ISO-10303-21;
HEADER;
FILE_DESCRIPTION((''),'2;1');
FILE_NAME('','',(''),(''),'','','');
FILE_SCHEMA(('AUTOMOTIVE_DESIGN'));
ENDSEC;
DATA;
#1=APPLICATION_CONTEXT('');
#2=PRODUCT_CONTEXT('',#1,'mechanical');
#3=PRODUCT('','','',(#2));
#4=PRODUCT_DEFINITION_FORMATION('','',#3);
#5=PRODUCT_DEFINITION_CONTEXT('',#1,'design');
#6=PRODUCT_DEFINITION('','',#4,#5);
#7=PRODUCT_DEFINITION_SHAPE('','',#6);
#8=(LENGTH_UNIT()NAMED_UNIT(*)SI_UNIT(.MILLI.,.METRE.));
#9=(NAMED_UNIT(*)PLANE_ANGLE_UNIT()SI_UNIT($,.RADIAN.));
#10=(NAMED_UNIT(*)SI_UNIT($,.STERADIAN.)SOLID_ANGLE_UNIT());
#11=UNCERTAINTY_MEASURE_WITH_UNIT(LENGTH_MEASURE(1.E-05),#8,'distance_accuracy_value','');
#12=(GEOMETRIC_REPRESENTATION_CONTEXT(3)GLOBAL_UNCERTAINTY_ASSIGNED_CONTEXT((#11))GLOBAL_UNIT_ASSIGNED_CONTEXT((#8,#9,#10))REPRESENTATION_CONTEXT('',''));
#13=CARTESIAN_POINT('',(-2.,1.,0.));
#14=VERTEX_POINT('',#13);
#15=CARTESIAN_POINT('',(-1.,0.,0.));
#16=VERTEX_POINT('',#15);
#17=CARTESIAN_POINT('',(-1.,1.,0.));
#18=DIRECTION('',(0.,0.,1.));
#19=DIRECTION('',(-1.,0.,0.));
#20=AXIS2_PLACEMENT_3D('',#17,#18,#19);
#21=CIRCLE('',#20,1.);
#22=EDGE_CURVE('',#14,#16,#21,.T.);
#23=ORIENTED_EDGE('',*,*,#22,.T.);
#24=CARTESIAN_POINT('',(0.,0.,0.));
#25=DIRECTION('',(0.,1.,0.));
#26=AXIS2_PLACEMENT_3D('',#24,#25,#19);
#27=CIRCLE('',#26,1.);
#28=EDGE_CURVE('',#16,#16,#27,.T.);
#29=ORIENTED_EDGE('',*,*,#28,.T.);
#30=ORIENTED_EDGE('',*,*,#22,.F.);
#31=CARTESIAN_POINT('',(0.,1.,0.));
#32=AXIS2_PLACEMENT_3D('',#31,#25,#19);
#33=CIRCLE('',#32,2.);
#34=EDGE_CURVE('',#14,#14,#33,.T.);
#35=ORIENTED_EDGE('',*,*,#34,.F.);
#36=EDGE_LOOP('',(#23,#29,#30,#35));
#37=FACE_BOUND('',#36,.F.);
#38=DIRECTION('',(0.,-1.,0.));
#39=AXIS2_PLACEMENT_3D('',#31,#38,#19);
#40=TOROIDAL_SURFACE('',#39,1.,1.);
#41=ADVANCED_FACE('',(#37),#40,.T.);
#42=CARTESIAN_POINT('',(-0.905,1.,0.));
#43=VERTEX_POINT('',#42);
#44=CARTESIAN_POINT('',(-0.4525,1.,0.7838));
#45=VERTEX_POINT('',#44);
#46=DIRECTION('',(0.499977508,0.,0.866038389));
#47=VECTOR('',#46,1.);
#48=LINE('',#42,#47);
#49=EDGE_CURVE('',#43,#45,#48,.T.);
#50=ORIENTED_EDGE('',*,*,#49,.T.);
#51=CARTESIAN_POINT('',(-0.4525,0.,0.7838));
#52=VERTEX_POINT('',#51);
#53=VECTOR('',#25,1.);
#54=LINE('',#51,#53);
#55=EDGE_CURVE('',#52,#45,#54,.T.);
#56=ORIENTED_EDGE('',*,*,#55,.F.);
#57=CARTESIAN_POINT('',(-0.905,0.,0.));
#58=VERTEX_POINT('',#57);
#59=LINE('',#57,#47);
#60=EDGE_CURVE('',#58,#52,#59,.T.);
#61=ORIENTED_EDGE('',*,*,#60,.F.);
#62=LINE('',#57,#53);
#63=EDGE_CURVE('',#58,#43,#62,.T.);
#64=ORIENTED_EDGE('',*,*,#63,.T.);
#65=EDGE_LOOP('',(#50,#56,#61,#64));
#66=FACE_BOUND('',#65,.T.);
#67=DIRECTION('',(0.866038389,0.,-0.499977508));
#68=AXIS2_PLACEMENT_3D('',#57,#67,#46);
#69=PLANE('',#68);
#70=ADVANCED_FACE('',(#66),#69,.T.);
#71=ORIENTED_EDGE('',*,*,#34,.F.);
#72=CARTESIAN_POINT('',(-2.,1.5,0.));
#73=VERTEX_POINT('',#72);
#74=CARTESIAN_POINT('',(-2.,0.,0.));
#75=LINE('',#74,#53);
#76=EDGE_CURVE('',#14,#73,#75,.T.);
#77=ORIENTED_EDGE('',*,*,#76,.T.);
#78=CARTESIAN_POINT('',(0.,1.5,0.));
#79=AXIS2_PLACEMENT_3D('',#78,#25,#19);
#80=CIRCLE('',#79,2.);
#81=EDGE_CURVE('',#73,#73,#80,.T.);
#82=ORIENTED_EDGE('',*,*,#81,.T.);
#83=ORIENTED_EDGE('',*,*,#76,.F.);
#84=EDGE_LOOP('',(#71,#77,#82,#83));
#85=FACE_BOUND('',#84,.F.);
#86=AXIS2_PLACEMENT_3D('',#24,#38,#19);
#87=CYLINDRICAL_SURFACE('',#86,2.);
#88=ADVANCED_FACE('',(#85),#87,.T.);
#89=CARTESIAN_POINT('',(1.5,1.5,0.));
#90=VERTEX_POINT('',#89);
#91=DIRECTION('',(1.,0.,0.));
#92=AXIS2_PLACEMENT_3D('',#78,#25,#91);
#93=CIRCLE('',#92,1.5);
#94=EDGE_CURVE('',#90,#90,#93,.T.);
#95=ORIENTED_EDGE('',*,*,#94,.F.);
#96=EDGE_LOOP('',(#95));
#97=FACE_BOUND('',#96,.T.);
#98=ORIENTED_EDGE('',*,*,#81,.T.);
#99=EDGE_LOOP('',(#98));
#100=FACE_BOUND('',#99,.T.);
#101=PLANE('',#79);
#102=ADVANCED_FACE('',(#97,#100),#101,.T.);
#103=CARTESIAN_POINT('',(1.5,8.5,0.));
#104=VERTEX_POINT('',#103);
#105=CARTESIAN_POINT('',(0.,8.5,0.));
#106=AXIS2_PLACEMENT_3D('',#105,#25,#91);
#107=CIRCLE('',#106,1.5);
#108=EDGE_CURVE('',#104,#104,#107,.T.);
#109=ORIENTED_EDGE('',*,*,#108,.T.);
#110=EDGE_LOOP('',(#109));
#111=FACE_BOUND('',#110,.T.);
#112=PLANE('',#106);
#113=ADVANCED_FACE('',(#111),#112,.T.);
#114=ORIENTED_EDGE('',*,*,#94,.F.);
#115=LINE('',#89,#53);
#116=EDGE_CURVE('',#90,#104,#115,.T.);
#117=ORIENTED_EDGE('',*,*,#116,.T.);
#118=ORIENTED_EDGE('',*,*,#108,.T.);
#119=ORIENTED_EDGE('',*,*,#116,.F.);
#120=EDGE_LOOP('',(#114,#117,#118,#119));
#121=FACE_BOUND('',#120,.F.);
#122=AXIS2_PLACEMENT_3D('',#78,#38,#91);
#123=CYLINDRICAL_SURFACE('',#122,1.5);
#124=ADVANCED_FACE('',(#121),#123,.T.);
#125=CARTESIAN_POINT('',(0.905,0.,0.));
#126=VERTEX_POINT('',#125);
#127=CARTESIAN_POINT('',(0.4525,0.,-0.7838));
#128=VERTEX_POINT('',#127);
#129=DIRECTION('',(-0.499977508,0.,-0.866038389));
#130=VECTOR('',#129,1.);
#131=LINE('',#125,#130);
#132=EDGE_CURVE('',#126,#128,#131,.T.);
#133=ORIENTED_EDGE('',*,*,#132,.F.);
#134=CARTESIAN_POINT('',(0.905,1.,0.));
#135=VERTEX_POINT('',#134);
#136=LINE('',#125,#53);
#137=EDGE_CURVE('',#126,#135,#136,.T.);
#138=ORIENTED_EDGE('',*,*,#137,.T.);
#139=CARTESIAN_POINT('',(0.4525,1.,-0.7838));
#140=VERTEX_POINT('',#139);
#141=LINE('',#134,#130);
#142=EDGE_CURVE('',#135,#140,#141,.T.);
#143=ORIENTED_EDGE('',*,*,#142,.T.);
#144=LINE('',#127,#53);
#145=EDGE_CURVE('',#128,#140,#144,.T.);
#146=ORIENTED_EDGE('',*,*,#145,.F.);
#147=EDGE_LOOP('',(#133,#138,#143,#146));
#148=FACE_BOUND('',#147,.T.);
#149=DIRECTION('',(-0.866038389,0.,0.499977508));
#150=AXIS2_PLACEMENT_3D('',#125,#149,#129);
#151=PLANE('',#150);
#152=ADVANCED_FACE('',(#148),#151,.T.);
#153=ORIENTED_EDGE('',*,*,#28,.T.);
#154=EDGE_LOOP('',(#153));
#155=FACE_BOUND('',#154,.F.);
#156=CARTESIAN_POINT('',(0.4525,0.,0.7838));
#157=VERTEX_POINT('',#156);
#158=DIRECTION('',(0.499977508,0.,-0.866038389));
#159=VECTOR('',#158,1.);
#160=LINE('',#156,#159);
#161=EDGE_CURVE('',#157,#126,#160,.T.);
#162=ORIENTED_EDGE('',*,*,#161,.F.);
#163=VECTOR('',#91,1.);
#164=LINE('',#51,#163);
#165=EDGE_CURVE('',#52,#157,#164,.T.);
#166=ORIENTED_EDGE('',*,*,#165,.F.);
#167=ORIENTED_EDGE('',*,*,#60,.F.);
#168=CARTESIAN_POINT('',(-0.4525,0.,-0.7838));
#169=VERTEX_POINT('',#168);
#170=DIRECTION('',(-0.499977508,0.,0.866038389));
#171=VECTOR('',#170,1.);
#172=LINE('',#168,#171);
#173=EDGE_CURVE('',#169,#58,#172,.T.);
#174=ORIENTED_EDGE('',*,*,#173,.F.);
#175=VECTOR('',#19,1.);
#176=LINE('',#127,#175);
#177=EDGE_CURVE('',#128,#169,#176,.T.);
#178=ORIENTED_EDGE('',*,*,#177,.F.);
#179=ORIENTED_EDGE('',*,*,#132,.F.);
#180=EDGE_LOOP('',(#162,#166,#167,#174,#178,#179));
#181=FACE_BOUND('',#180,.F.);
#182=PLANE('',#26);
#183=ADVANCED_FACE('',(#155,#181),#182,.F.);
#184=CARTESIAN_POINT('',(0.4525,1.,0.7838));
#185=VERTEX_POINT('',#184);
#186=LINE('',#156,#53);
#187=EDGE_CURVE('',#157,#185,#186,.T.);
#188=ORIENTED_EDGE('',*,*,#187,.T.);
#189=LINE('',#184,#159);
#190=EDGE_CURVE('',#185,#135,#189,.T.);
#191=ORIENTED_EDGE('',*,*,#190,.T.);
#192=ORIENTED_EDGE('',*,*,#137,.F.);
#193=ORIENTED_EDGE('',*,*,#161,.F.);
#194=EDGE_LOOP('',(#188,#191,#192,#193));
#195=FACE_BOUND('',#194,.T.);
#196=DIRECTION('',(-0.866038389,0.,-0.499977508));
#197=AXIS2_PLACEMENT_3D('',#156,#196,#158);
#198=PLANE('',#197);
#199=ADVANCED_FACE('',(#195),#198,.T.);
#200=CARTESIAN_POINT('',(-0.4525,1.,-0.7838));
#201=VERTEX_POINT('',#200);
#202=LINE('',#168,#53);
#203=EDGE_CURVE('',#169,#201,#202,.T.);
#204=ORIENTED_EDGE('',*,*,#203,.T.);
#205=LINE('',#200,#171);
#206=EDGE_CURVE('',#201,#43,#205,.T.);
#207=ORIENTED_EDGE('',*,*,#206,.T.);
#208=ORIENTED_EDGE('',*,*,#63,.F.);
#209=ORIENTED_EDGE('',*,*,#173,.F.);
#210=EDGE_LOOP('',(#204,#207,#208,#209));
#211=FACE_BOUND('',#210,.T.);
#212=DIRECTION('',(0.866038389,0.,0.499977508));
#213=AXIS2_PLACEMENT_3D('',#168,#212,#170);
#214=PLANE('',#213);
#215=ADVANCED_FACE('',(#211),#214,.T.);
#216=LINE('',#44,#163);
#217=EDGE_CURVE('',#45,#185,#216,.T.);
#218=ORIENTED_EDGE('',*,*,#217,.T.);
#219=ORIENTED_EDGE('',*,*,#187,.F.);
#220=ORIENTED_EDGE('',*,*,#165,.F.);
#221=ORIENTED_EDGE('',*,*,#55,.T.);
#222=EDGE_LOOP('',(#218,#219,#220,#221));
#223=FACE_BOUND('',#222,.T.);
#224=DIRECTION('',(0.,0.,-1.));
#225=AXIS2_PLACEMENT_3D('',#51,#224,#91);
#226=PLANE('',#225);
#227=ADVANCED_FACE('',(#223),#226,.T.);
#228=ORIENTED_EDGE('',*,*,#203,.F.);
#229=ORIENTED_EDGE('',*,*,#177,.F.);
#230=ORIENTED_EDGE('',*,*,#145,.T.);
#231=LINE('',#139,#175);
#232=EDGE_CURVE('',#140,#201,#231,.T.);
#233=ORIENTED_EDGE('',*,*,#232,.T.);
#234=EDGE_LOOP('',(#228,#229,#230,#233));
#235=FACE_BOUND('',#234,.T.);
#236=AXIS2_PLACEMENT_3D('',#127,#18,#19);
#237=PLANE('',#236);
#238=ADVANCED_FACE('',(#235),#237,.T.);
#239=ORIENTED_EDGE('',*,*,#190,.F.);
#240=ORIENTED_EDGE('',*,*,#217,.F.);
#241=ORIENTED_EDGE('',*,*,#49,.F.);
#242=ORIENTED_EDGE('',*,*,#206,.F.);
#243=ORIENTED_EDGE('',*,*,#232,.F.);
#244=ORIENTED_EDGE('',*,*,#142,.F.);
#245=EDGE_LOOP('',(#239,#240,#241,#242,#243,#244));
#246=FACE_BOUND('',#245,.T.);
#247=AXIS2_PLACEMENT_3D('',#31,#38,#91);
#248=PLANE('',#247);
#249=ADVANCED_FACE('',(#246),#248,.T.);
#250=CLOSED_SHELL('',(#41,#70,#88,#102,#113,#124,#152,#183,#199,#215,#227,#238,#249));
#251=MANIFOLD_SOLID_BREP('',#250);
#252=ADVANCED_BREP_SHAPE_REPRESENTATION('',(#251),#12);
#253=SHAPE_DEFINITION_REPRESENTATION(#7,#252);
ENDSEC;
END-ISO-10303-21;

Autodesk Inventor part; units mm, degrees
ref_plane "YZ Plane" through (0, 0, 0) normal (1, 0, 0) x (0, 1, 0)
ref_plane "XZ Plane" through (0, 0, 0) normal (0, 1, 0) x (-1, 0, 0)
ref_plane "XY Plane" through (0, 0, 0) normal (0, 0, 1) x (1, 0, 0)
sketch "Sketch1" plane through (0, 0, 0) normal (0, 1, 0) x (-1, 0, 0)
  circle A0 centre (0, 0) radius 2
  dimension "d0" = 4
extrude "Extrusion1" add sketch "Sketch1" along normal blind 1.5
sketch "Sketch2" plane through (0, 1.5, 0) normal (0, 1, 0) x (1, 0, 0)
  circle A0 centre (0, 0) radius 1.5
  dimension "d3" = 3
extrude "Extrusion2" add sketch "Sketch2" along normal blind 7
sketch "Sketch3" plane through (0, 0, 0) normal (0, -1, 0) x (1, 0, 0)
  line L0 (0.905, 0) -> (0.4525, -0.7838)
  line L1 (0.4525, -0.7838) -> (-0.4525, -0.7838)
  line L2 (-0.4525, -0.7838) -> (-0.905, 0)
  line L3 (-0.905, 0) -> (-0.4525, 0.7838)
  line L4 (-0.4525, 0.7838) -> (0.4525, 0.7838)
  line L5 (0.4525, 0.7838) -> (0.905, 0)
  point P0 (0, 0)
  point P1 (0, 0)
extrude "Extrusion3" cut sketch "Sketch3" against normal blind 1
fillet "Fillet1" radius 1 1 edges at (2, 0, 0)
thread "Thread1" size "M3x0.35" class "6g" standard "ANSI Metric M Profile" full length
properties part number "M3x13"
